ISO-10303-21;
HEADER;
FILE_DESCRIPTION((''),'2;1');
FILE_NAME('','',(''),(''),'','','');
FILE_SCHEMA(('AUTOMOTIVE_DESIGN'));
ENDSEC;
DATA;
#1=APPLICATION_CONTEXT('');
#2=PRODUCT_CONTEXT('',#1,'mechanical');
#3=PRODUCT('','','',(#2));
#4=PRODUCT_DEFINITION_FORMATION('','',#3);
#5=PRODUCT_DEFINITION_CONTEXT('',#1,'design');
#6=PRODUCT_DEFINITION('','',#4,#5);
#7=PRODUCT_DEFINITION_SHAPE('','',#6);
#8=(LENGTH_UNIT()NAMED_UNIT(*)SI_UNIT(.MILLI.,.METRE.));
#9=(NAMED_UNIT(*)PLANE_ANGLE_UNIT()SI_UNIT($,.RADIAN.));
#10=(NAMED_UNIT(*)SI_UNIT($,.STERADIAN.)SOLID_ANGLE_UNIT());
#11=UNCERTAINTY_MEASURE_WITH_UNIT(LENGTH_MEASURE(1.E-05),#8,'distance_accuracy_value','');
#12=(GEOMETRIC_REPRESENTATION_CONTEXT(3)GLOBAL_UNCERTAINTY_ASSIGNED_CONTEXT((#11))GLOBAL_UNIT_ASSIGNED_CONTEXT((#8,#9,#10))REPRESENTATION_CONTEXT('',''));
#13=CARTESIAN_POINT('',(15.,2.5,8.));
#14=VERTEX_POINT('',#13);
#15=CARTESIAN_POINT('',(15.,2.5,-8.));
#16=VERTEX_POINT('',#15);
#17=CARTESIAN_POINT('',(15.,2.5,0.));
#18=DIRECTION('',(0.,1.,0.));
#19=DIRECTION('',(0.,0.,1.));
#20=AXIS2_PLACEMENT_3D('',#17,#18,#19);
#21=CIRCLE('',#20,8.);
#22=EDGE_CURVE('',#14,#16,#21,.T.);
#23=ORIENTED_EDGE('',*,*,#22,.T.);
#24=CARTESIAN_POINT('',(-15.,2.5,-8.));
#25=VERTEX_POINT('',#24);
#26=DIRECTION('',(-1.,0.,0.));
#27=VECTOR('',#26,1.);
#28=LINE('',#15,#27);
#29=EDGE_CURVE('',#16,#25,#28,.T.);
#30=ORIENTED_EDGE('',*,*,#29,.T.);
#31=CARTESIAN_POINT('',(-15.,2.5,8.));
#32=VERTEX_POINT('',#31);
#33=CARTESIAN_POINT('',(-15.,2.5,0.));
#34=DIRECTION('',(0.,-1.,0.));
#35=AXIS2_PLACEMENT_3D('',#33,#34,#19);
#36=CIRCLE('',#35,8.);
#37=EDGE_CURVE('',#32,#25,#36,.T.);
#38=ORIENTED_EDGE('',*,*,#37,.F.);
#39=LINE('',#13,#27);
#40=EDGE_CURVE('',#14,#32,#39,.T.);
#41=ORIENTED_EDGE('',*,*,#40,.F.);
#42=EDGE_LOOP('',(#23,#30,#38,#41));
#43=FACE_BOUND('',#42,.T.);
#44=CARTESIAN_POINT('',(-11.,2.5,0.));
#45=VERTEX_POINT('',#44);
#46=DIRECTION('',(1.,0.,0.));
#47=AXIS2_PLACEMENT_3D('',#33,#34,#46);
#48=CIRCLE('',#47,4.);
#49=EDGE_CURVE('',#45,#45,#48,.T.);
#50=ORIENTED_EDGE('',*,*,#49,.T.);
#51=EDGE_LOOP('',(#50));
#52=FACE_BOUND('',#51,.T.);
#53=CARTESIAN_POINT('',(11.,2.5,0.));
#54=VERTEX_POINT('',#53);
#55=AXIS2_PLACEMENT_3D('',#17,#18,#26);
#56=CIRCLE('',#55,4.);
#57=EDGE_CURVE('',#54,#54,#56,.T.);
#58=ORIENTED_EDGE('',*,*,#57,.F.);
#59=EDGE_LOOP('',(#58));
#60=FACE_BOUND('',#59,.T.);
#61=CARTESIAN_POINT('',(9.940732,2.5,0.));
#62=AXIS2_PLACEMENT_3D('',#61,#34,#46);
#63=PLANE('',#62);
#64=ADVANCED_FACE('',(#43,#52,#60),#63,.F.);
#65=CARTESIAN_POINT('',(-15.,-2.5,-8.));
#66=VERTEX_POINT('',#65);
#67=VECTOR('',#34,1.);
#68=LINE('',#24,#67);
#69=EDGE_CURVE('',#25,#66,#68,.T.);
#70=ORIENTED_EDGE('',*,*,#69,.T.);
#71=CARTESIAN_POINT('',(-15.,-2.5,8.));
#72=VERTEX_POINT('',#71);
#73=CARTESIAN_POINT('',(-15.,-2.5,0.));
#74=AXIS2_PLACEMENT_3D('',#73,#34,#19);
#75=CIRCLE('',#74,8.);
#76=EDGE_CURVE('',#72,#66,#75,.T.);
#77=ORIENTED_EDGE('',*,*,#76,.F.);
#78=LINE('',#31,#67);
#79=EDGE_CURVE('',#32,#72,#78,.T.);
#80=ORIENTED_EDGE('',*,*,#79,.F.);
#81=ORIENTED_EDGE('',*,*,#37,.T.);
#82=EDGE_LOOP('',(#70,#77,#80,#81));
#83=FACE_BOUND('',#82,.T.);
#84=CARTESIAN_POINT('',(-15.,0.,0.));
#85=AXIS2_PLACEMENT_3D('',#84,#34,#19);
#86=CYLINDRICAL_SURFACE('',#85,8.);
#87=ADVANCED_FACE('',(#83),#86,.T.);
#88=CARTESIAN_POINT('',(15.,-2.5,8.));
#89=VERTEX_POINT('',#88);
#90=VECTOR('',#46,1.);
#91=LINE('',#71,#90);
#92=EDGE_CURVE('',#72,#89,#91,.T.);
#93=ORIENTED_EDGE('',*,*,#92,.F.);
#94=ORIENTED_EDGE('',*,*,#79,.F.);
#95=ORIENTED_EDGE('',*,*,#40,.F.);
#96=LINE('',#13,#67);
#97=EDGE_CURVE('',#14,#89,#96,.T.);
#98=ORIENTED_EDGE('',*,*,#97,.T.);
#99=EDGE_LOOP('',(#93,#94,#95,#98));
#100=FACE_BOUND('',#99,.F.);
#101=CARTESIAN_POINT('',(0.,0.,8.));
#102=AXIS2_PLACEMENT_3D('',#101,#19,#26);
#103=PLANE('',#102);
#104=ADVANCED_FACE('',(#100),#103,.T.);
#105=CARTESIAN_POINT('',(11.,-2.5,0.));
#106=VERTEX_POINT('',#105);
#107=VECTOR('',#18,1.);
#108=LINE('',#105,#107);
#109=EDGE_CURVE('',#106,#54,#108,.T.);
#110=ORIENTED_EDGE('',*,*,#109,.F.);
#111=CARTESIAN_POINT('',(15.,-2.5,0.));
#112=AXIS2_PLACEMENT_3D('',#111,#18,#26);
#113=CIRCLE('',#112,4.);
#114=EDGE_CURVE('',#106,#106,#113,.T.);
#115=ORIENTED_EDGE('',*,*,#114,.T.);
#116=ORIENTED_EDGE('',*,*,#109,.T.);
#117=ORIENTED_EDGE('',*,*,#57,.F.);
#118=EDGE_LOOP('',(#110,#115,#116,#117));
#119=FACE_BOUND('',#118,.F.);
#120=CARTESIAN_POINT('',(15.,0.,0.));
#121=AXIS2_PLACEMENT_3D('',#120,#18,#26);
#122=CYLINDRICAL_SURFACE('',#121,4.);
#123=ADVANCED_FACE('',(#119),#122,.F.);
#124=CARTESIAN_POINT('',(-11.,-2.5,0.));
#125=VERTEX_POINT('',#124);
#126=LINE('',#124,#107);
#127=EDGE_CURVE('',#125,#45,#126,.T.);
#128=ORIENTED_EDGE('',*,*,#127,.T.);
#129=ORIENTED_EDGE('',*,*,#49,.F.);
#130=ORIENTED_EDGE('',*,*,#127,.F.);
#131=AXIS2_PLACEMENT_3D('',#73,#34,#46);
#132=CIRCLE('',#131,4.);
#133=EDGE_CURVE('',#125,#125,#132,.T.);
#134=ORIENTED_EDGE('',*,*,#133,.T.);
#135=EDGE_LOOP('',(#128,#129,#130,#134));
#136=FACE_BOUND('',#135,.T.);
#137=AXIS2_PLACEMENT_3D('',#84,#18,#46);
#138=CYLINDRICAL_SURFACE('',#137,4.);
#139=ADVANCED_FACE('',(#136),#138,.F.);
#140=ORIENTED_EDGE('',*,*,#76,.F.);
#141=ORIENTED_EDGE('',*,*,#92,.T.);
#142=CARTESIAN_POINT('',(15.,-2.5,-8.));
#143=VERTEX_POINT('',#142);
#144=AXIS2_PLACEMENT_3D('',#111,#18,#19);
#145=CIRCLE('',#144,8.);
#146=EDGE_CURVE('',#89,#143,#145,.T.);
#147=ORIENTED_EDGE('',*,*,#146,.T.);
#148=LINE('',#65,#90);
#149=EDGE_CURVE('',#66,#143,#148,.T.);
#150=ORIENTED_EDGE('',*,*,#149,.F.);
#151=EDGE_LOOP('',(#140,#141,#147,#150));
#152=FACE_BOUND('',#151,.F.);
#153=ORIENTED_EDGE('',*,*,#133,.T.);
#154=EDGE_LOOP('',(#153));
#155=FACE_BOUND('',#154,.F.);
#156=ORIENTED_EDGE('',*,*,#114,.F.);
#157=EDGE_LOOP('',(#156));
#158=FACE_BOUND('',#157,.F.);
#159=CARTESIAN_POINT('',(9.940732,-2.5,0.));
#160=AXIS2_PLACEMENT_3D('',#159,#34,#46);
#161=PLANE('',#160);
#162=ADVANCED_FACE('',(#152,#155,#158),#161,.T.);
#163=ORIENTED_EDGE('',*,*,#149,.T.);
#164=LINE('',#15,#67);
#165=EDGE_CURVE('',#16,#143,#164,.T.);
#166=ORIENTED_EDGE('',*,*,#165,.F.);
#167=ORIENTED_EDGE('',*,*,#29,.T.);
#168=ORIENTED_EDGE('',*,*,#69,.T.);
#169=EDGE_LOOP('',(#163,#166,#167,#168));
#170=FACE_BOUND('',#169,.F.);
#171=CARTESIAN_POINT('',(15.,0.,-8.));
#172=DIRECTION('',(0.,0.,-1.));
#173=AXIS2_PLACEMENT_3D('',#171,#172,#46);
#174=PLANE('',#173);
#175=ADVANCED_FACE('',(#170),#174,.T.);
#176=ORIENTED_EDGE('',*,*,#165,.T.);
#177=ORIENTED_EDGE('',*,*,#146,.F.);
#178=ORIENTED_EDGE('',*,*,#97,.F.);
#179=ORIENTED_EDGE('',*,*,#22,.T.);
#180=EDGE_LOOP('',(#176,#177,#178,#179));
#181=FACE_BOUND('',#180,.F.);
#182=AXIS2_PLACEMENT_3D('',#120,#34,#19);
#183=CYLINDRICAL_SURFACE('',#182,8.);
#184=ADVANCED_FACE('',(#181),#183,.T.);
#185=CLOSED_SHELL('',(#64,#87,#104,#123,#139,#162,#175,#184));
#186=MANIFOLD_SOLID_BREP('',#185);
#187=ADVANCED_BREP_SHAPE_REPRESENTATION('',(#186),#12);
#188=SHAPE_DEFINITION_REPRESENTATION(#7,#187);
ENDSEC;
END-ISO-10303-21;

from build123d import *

# Parameters (mm, degrees)
F0_R     = 4
F1_DEPTH = 2.5


with BuildPart() as f1:
    # F0 (on Front) → F1 (new body, symmetric)
    with BuildSketch(Plane.XZ):
        with BuildLine():
            Line((0, 8), (-15, 8))
            ThreePointArc((-15, 8), (-23, 0), (-15, -8))
            Line((-15, -8), (0, -8))
            Line((0, -8), (0, 8))
        make_face()
        with Locations((-15, 0)):
            Circle(F0_R, mode=Mode.SUBTRACT)
    extrude(amount=F1_DEPTH, both=True)

    # F2: F1 across face


with BuildPart() as f1_1:
    add(f1.part)
    add(f1.part.mirror(Plane.YZ))


solid = f1_1.part
